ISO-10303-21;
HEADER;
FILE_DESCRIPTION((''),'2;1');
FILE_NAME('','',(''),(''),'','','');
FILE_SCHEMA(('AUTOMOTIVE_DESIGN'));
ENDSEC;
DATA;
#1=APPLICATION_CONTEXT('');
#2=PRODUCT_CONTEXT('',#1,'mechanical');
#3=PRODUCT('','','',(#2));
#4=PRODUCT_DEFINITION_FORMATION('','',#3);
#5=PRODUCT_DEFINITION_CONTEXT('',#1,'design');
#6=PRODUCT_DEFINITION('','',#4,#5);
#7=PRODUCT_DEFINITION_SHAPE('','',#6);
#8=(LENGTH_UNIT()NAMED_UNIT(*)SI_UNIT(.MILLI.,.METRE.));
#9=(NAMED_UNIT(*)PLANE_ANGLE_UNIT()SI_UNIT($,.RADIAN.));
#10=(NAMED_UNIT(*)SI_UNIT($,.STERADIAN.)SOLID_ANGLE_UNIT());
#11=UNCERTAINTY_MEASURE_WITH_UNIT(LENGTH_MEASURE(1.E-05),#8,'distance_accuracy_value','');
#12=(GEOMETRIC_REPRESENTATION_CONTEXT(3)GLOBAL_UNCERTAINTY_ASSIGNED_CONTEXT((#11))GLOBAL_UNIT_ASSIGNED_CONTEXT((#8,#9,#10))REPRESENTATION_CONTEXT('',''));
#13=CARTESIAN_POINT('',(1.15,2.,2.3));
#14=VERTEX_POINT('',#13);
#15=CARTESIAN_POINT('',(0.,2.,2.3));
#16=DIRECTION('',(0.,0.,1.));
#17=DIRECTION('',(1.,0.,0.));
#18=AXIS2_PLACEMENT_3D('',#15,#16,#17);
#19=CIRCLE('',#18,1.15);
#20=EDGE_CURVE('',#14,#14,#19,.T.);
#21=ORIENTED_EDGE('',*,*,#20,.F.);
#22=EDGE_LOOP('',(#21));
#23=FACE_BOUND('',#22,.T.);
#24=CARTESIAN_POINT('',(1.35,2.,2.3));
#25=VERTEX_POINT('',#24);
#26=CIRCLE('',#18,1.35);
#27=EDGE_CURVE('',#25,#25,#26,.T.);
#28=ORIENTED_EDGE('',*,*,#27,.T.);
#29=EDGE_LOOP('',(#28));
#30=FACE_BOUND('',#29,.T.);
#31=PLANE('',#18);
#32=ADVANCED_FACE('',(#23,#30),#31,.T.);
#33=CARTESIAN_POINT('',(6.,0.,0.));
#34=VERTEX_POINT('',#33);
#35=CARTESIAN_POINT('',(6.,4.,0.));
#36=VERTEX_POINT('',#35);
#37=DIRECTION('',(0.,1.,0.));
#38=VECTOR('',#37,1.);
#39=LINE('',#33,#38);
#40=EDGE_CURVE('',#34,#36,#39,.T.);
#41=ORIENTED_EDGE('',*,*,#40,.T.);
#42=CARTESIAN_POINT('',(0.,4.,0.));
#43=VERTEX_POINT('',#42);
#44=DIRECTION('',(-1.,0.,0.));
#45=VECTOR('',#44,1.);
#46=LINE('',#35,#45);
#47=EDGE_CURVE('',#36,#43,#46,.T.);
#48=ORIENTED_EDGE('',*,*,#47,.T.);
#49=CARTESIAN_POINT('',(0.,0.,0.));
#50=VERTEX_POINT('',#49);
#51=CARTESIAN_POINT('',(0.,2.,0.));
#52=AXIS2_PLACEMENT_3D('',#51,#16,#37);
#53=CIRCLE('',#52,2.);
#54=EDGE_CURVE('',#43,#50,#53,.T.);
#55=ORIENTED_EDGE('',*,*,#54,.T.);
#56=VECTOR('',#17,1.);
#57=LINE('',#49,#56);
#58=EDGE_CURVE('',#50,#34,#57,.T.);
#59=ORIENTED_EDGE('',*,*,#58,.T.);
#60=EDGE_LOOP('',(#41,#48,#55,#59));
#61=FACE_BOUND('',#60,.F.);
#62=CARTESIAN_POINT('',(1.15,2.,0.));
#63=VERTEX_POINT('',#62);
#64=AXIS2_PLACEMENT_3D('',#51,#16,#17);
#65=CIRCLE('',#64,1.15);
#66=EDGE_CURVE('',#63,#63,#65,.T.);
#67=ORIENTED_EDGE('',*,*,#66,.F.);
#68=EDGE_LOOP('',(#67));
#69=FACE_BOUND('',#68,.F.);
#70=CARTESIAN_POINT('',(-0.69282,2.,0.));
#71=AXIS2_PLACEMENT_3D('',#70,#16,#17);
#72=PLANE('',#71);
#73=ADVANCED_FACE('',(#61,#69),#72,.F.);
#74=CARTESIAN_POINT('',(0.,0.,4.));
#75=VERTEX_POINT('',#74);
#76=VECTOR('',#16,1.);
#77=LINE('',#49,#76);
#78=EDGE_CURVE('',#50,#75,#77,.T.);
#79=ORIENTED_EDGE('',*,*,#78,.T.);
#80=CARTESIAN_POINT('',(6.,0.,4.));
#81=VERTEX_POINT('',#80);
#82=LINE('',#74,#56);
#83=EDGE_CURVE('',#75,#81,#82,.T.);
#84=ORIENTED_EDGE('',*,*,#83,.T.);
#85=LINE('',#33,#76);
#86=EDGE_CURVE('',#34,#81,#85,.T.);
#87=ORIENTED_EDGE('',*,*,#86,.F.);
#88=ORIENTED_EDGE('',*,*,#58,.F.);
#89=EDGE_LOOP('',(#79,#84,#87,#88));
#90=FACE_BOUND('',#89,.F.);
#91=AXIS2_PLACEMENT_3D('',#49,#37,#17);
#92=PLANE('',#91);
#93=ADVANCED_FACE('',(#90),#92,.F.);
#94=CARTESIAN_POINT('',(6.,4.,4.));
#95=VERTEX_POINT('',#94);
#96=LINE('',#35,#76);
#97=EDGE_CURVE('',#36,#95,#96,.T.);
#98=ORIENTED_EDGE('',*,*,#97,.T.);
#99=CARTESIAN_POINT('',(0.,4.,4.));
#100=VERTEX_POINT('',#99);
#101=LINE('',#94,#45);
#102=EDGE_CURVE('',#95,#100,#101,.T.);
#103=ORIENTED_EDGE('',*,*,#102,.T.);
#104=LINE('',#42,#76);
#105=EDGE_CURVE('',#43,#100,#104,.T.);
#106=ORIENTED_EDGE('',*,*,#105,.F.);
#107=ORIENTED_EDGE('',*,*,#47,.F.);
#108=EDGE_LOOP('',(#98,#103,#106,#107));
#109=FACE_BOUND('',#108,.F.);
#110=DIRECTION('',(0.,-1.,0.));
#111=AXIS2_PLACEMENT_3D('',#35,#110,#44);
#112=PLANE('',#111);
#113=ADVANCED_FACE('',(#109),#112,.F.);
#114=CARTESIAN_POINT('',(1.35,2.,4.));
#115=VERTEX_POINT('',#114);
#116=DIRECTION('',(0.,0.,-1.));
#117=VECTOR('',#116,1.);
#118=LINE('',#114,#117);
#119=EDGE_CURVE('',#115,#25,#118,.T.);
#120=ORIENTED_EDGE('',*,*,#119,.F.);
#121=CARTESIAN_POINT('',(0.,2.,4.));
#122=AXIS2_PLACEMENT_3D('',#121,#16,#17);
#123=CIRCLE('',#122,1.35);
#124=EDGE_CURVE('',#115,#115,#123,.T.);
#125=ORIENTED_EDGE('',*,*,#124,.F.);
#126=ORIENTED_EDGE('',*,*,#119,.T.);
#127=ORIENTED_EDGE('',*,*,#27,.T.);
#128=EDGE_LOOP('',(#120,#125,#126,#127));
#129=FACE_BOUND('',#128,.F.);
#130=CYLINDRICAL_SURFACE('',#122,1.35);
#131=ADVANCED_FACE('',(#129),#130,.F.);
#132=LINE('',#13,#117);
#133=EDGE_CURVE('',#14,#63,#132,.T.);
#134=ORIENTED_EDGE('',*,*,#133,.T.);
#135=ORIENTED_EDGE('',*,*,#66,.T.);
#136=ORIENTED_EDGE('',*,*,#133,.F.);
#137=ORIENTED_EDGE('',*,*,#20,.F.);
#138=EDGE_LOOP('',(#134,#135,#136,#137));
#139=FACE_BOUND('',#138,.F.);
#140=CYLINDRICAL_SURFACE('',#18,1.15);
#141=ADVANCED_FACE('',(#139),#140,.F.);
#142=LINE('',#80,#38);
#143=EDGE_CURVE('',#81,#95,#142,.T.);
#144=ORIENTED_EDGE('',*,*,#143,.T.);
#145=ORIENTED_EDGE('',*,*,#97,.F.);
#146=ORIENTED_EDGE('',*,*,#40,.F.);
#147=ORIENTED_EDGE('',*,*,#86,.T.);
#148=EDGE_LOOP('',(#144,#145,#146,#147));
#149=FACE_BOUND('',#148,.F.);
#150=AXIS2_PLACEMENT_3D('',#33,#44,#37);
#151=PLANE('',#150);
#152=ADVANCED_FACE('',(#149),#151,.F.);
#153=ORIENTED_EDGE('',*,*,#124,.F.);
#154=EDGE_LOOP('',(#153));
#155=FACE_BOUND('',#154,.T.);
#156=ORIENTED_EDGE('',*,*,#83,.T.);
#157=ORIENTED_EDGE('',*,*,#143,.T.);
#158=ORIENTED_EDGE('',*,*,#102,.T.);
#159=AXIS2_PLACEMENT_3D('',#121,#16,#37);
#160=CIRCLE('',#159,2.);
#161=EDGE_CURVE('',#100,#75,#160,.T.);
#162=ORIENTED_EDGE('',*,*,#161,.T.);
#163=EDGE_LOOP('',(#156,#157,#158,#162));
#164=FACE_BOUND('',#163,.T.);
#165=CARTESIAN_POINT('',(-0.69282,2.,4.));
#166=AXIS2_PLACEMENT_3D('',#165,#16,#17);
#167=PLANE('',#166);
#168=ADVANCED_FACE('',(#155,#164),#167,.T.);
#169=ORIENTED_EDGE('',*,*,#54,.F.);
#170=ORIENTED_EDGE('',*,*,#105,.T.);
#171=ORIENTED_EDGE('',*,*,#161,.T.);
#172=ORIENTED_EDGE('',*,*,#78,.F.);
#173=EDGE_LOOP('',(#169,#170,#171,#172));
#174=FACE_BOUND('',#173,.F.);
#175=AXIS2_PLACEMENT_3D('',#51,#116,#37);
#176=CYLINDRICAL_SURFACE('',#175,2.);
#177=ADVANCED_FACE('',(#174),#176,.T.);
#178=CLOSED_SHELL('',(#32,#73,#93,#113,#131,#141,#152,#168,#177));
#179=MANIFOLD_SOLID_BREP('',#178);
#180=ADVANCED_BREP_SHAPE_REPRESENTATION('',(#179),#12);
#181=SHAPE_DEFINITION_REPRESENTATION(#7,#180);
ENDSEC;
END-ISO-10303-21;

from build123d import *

# Parameters (mm, degrees)
F1_DEPTH = 4
F2_R     = 1.35
F3_DEPTH = 1.7
F4_R     = 1.15
F5_DEPTH = 4


with BuildPart() as f1:
    # F0 (on Top) → F1 (new body)
    with BuildSketch(Plane.XY):
        with BuildLine():
            ThreePointArc((0, 4), (-2, 2), (0, 0))
            Line((0, 0), (0, 4))
        make_face()
        with BuildLine():
            Line((0, 4), (0, 0))
            ThreePointArc((0, 0), (1.414214, 0.585786), (2, 2))
            ThreePointArc((2, 2), (1.414214, 3.414214), (0, 4))
        make_face()
        with BuildLine():
            ThreePointArc((2, 2), (1.414214, 0.585786), (0, 0))
            Line((0, 0), (6, 0))
            Line((6, 0), (6, 4))
            Line((6, 4), (0, 4))
            ThreePointArc((0, 4), (1.414214, 3.414214), (2, 2))
        make_face()
    extrude(amount=F1_DEPTH)

    # F2 (on face) → F3 (cut)
    with BuildSketch(Plane.XY.offset(4)):
        with Locations((0, 2)):
            Circle(F2_R)
    extrude(amount=-F3_DEPTH, mode=Mode.SUBTRACT)

    # F4 (on face) → F5 (cut)
    with BuildSketch(Plane.XY.offset(2.3)):
        with Locations((0, 2)):
            Circle(F4_R)
    extrude(amount=-F5_DEPTH, mode=Mode.SUBTRACT)


solid = f1.part
